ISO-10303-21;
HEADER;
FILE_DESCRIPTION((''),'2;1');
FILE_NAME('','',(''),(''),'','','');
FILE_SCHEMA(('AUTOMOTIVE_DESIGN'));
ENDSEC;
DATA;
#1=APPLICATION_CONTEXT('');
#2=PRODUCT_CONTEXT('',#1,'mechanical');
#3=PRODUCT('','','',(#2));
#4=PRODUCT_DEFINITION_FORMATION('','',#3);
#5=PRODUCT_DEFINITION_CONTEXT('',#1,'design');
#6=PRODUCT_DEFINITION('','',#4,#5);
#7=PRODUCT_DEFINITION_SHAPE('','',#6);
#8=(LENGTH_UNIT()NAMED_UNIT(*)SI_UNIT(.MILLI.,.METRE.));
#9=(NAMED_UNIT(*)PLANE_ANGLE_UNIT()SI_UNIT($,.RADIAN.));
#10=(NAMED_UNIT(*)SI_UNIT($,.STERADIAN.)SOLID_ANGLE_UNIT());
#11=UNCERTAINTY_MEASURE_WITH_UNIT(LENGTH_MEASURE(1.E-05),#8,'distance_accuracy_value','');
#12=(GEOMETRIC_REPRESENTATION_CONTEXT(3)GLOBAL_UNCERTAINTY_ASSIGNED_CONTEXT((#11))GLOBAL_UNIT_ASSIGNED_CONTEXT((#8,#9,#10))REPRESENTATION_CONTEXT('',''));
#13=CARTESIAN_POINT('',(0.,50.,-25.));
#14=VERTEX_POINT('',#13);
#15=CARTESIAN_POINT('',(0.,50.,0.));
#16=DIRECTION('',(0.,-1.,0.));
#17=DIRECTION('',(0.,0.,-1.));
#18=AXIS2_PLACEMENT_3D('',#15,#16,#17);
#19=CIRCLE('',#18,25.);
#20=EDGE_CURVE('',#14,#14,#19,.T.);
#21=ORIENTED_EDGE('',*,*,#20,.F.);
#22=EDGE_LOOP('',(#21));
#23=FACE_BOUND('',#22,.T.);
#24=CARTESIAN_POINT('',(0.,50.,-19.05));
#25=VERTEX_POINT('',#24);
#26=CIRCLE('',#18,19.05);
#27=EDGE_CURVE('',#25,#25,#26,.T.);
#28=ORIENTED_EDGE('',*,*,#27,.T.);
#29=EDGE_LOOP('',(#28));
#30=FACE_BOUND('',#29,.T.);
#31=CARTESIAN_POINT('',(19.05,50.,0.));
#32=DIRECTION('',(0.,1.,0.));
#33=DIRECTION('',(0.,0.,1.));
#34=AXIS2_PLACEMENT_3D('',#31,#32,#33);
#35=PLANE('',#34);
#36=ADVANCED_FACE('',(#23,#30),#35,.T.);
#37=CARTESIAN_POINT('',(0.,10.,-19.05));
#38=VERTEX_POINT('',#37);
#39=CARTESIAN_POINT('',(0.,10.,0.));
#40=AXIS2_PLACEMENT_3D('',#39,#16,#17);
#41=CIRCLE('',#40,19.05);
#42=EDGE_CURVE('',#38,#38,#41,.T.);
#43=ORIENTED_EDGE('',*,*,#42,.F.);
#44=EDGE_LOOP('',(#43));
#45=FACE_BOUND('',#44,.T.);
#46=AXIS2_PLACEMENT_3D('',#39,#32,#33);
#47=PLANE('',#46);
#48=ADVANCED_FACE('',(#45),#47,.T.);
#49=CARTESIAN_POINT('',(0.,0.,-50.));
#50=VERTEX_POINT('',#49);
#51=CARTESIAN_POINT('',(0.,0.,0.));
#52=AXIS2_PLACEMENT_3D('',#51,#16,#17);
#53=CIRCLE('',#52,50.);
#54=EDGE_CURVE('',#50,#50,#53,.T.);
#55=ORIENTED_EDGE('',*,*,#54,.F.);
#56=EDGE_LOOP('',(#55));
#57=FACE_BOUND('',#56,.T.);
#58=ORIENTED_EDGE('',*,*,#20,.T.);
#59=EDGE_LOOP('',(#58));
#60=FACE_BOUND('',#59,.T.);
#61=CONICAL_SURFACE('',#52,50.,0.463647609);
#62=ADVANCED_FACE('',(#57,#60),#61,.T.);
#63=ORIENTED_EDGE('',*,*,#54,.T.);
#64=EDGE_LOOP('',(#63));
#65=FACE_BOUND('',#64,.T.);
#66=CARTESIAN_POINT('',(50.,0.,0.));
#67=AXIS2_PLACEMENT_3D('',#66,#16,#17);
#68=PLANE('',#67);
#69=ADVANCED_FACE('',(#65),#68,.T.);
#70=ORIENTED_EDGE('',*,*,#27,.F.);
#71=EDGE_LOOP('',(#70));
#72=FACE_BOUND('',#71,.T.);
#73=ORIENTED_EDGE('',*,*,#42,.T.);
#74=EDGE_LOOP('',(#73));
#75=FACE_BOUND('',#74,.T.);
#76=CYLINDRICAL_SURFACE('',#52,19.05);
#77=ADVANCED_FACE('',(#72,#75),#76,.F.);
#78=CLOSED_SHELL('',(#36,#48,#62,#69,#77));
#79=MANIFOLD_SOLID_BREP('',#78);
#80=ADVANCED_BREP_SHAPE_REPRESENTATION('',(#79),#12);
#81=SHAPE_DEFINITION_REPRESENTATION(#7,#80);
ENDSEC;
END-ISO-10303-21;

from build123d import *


with BuildPart() as part:
    # Esboço1 → Revolução1 (revolve)
    with BuildSketch(Plane.XY):
        Polygon((19.05, 50), (25, 50), (50, 0), (0, 0), (0, 10), (19.05, 10), align=None)
    revolve(axis=Axis((0, 0, 0), (0, 1, 0)))


solid = part.part
